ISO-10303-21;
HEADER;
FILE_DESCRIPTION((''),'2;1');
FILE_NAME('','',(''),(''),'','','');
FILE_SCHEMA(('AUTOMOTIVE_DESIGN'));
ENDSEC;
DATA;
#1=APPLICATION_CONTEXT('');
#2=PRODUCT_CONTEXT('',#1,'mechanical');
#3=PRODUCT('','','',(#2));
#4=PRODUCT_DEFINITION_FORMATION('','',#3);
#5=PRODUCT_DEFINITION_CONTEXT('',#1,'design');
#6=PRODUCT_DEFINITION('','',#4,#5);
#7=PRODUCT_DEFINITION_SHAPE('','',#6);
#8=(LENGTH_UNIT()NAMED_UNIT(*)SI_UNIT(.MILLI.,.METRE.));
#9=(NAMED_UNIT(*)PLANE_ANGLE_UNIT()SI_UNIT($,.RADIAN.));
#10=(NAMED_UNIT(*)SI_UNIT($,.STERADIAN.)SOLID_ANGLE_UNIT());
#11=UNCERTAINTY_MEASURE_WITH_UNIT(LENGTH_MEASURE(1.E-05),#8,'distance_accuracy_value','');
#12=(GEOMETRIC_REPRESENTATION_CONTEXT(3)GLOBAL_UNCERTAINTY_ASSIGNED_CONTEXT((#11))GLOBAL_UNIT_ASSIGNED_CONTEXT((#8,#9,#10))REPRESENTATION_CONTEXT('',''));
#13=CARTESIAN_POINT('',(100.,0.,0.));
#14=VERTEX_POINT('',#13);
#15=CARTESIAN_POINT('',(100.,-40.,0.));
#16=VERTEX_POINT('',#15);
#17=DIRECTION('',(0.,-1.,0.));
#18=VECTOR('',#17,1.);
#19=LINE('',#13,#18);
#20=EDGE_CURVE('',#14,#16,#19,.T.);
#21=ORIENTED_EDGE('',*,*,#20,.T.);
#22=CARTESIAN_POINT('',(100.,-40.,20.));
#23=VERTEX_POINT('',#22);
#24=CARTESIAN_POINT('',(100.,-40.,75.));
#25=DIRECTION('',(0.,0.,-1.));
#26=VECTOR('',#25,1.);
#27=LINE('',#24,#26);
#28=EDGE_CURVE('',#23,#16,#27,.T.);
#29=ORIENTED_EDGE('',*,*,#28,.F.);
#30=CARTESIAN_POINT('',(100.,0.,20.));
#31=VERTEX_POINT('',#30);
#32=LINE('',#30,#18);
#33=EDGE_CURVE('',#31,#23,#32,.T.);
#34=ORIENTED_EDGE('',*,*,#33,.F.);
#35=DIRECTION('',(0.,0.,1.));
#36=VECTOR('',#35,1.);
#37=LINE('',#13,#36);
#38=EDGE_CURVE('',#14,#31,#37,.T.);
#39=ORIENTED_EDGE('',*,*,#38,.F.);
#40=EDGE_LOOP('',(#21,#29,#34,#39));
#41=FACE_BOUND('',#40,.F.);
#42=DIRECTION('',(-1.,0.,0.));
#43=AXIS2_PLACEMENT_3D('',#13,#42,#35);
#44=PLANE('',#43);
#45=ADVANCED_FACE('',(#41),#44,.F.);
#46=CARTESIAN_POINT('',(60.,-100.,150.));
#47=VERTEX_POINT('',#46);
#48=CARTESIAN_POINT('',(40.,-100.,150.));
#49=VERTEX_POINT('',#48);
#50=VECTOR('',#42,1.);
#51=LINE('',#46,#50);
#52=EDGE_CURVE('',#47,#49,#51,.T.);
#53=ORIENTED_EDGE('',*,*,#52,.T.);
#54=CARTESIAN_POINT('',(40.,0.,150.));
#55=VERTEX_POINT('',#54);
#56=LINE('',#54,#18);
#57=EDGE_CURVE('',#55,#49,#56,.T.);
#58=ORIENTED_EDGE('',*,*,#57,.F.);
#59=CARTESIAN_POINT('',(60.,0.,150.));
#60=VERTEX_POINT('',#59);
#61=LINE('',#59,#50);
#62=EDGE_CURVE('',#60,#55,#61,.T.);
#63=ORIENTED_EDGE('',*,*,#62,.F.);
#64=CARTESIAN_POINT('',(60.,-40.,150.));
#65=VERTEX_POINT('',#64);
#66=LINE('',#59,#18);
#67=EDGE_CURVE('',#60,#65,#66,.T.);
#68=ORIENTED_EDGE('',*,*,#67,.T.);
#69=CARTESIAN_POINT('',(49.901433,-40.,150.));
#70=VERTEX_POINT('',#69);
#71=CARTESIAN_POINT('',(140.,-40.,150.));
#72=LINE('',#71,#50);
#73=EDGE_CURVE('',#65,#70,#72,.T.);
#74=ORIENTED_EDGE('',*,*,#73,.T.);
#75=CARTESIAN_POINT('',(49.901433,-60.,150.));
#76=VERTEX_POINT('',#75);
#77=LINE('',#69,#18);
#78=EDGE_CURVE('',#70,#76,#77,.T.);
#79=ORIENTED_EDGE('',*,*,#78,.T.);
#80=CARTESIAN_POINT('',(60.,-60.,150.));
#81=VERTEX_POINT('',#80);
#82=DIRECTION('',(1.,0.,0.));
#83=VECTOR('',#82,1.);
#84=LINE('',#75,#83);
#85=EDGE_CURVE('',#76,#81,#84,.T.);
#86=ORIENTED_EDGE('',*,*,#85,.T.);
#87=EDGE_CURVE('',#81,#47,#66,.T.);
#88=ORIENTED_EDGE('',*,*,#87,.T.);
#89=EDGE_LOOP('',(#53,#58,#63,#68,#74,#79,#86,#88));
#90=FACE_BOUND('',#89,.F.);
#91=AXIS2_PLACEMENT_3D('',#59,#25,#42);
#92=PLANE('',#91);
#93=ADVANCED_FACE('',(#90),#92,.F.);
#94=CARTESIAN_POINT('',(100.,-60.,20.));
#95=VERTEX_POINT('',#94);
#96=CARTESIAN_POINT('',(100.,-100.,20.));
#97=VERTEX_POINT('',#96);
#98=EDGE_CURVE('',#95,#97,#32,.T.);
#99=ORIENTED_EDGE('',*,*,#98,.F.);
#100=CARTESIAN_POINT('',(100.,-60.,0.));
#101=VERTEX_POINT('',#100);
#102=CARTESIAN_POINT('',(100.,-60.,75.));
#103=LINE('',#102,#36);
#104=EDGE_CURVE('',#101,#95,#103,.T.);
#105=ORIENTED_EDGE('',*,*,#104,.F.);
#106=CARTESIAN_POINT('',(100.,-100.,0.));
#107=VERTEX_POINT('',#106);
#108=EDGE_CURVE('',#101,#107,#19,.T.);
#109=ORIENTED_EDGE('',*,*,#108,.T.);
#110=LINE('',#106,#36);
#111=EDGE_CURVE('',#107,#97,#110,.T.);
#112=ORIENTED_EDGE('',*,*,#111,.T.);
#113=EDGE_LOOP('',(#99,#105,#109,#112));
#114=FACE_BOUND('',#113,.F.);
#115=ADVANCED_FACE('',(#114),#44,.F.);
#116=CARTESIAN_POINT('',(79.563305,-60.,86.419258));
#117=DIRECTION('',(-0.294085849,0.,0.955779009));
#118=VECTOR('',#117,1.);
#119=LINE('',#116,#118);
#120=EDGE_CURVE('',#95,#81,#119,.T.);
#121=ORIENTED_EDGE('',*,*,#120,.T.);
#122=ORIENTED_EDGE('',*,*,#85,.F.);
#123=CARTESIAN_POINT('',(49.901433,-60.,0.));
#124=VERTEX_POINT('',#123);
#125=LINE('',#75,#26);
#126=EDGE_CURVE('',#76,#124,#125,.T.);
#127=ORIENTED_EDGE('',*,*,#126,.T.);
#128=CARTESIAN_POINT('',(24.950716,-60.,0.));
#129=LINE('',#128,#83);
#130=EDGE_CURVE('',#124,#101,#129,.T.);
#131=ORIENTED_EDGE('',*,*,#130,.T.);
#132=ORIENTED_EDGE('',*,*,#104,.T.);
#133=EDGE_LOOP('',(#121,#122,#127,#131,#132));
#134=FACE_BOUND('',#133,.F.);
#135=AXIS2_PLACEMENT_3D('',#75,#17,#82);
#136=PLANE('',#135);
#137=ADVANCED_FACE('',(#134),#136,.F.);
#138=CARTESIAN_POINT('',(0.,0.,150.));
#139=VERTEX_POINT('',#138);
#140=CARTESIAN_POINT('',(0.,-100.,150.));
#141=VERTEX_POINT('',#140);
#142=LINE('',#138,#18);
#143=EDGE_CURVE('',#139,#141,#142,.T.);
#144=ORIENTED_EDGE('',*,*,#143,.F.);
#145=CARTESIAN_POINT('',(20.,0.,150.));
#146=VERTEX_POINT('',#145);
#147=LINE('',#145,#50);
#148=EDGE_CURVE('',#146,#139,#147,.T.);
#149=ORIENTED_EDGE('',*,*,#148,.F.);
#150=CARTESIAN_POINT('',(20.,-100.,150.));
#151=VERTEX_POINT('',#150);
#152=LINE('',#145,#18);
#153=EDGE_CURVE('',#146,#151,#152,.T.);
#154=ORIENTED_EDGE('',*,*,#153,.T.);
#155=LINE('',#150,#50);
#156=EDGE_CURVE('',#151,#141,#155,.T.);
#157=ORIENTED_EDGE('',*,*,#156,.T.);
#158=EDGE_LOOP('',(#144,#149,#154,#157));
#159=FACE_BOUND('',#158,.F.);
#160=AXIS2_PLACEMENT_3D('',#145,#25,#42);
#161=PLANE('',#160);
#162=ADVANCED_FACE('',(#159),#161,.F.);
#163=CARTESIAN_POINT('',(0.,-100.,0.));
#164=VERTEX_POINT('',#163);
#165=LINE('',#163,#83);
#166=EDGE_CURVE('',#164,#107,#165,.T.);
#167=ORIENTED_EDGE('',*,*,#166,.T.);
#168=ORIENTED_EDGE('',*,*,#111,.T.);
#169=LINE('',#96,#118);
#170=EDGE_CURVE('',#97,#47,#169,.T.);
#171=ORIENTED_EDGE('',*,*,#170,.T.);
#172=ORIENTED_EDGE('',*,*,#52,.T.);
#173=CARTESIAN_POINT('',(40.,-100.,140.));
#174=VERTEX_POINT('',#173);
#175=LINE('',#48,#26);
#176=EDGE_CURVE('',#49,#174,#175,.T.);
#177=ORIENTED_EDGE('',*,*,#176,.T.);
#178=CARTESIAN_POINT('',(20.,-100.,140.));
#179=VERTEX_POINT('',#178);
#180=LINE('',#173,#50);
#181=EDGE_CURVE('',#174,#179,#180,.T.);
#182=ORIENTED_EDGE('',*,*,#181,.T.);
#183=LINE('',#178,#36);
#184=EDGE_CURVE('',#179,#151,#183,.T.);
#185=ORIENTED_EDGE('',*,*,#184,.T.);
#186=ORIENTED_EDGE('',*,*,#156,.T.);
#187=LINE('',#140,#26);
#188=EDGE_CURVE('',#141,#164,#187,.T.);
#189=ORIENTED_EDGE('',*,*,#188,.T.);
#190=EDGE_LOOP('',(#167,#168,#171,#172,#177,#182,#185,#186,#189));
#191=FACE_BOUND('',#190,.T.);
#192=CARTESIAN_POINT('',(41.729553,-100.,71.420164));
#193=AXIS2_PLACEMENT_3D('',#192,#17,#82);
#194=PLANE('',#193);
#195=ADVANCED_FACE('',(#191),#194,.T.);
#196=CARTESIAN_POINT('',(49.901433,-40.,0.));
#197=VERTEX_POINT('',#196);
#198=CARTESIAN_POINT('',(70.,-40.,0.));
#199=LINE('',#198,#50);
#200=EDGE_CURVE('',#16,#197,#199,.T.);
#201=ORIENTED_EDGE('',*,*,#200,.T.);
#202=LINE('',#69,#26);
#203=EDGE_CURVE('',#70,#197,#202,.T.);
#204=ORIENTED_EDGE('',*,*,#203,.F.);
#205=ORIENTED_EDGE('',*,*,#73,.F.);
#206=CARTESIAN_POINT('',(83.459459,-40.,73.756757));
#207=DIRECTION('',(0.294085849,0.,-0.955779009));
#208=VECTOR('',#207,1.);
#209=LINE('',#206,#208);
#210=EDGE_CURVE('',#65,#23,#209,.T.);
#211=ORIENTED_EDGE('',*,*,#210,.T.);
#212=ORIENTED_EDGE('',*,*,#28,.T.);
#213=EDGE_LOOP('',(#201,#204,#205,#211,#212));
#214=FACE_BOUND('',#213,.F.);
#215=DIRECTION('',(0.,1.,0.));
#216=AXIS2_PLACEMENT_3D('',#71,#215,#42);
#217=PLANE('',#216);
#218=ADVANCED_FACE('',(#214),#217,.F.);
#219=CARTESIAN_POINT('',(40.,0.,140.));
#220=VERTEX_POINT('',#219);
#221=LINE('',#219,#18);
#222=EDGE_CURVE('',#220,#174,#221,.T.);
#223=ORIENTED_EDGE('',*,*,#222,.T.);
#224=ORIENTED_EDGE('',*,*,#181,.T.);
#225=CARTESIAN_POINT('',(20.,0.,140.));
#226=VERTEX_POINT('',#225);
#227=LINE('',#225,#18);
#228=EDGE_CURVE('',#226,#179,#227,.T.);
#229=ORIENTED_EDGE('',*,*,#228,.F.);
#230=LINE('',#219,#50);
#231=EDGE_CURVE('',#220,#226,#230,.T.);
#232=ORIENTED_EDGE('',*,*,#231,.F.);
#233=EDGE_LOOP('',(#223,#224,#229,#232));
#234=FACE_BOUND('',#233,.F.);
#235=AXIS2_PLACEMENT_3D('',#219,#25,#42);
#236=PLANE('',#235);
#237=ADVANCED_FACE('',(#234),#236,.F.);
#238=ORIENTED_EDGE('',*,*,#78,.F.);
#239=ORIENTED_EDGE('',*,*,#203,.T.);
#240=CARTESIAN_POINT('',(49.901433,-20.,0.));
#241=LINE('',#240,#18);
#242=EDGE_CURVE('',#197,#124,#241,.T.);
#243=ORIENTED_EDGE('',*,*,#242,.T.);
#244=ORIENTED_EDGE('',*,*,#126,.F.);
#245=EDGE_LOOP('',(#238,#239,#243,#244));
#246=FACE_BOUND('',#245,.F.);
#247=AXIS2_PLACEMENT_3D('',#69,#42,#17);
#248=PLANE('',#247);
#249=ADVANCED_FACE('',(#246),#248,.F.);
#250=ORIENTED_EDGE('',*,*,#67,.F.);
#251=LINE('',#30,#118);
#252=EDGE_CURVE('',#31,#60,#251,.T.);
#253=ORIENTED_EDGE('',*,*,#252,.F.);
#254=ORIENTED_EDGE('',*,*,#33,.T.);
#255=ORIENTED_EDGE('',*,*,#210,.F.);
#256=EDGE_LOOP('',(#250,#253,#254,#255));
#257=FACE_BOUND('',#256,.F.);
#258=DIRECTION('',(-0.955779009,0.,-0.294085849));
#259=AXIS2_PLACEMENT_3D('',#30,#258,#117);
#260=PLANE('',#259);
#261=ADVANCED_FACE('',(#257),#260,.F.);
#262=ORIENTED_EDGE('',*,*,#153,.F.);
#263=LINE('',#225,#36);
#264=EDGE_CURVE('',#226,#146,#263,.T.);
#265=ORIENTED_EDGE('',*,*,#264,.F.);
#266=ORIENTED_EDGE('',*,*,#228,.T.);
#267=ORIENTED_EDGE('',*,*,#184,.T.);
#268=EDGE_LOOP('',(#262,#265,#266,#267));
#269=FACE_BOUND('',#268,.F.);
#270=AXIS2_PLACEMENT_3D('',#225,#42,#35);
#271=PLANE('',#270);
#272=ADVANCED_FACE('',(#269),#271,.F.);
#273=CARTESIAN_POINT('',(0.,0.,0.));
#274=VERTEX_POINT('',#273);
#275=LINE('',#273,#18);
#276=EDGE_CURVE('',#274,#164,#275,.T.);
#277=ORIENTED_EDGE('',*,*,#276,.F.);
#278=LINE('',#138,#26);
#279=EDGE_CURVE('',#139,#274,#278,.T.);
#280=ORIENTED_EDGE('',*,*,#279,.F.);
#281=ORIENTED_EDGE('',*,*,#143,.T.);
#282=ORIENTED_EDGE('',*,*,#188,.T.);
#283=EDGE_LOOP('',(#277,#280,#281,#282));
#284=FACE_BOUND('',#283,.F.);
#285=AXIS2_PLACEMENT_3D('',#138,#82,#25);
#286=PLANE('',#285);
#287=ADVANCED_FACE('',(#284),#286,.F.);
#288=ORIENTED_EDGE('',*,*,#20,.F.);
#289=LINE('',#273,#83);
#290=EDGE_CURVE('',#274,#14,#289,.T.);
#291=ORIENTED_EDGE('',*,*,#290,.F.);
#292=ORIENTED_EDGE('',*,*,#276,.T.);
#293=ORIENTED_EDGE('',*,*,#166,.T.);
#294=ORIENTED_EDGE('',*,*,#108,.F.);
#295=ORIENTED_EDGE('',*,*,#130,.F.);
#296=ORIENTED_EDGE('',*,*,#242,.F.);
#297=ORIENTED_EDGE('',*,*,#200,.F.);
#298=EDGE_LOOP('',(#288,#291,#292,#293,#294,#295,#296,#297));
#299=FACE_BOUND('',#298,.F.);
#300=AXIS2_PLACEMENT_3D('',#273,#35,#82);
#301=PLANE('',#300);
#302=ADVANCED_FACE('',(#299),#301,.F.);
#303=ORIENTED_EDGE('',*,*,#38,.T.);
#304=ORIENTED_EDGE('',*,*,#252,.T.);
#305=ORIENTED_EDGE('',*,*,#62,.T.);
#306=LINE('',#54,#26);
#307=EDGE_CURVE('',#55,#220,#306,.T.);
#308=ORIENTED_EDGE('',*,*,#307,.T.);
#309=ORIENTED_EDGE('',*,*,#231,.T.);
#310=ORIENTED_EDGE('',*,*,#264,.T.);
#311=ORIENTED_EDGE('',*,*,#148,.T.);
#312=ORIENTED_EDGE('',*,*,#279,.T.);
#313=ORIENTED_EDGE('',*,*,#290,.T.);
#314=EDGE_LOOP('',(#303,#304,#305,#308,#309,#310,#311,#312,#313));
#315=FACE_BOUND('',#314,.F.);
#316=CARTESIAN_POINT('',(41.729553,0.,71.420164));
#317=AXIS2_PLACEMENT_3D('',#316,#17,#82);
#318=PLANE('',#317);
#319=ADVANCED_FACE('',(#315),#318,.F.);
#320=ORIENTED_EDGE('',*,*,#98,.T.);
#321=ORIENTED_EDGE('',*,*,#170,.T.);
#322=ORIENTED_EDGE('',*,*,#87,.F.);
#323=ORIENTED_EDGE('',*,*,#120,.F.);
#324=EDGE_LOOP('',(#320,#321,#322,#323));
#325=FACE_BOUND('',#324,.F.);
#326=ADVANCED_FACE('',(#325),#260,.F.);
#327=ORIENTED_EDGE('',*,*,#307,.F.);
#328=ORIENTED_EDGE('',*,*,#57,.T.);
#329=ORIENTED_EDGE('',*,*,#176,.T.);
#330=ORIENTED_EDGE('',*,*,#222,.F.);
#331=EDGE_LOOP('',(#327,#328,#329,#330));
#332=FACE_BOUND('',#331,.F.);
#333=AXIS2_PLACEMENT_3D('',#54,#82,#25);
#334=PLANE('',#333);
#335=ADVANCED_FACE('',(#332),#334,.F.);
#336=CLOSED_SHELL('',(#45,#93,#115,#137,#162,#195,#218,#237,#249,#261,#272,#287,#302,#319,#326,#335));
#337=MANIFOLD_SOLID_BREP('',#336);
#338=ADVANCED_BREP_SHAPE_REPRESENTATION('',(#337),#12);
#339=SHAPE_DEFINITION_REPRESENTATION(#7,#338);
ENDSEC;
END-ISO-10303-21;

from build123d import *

# Parameters (mm, degrees)
F1_DEPTH = 100
F3_DEPTH = 182


with BuildPart() as f1:
    # F0 (on Front) → F1 (new body)
    with BuildSketch(Plane.XZ):
        Polygon((0, 150), (0, 0), (100, 0), (100, 20), (60, 150), (40, 150), (40, 140), (20, 140), (20, 150), align=None)
    extrude(amount=F1_DEPTH)

    # F2 (on face) → F3 (cut)
    with BuildSketch(Plane.XY.offset(150)):
        Polygon((140, -60), (140, -50), (140, -40), (49.901433, -40), (49.901433, -60), align=None)
    extrude(amount=-F3_DEPTH, mode=Mode.SUBTRACT)


solid = f1.part
